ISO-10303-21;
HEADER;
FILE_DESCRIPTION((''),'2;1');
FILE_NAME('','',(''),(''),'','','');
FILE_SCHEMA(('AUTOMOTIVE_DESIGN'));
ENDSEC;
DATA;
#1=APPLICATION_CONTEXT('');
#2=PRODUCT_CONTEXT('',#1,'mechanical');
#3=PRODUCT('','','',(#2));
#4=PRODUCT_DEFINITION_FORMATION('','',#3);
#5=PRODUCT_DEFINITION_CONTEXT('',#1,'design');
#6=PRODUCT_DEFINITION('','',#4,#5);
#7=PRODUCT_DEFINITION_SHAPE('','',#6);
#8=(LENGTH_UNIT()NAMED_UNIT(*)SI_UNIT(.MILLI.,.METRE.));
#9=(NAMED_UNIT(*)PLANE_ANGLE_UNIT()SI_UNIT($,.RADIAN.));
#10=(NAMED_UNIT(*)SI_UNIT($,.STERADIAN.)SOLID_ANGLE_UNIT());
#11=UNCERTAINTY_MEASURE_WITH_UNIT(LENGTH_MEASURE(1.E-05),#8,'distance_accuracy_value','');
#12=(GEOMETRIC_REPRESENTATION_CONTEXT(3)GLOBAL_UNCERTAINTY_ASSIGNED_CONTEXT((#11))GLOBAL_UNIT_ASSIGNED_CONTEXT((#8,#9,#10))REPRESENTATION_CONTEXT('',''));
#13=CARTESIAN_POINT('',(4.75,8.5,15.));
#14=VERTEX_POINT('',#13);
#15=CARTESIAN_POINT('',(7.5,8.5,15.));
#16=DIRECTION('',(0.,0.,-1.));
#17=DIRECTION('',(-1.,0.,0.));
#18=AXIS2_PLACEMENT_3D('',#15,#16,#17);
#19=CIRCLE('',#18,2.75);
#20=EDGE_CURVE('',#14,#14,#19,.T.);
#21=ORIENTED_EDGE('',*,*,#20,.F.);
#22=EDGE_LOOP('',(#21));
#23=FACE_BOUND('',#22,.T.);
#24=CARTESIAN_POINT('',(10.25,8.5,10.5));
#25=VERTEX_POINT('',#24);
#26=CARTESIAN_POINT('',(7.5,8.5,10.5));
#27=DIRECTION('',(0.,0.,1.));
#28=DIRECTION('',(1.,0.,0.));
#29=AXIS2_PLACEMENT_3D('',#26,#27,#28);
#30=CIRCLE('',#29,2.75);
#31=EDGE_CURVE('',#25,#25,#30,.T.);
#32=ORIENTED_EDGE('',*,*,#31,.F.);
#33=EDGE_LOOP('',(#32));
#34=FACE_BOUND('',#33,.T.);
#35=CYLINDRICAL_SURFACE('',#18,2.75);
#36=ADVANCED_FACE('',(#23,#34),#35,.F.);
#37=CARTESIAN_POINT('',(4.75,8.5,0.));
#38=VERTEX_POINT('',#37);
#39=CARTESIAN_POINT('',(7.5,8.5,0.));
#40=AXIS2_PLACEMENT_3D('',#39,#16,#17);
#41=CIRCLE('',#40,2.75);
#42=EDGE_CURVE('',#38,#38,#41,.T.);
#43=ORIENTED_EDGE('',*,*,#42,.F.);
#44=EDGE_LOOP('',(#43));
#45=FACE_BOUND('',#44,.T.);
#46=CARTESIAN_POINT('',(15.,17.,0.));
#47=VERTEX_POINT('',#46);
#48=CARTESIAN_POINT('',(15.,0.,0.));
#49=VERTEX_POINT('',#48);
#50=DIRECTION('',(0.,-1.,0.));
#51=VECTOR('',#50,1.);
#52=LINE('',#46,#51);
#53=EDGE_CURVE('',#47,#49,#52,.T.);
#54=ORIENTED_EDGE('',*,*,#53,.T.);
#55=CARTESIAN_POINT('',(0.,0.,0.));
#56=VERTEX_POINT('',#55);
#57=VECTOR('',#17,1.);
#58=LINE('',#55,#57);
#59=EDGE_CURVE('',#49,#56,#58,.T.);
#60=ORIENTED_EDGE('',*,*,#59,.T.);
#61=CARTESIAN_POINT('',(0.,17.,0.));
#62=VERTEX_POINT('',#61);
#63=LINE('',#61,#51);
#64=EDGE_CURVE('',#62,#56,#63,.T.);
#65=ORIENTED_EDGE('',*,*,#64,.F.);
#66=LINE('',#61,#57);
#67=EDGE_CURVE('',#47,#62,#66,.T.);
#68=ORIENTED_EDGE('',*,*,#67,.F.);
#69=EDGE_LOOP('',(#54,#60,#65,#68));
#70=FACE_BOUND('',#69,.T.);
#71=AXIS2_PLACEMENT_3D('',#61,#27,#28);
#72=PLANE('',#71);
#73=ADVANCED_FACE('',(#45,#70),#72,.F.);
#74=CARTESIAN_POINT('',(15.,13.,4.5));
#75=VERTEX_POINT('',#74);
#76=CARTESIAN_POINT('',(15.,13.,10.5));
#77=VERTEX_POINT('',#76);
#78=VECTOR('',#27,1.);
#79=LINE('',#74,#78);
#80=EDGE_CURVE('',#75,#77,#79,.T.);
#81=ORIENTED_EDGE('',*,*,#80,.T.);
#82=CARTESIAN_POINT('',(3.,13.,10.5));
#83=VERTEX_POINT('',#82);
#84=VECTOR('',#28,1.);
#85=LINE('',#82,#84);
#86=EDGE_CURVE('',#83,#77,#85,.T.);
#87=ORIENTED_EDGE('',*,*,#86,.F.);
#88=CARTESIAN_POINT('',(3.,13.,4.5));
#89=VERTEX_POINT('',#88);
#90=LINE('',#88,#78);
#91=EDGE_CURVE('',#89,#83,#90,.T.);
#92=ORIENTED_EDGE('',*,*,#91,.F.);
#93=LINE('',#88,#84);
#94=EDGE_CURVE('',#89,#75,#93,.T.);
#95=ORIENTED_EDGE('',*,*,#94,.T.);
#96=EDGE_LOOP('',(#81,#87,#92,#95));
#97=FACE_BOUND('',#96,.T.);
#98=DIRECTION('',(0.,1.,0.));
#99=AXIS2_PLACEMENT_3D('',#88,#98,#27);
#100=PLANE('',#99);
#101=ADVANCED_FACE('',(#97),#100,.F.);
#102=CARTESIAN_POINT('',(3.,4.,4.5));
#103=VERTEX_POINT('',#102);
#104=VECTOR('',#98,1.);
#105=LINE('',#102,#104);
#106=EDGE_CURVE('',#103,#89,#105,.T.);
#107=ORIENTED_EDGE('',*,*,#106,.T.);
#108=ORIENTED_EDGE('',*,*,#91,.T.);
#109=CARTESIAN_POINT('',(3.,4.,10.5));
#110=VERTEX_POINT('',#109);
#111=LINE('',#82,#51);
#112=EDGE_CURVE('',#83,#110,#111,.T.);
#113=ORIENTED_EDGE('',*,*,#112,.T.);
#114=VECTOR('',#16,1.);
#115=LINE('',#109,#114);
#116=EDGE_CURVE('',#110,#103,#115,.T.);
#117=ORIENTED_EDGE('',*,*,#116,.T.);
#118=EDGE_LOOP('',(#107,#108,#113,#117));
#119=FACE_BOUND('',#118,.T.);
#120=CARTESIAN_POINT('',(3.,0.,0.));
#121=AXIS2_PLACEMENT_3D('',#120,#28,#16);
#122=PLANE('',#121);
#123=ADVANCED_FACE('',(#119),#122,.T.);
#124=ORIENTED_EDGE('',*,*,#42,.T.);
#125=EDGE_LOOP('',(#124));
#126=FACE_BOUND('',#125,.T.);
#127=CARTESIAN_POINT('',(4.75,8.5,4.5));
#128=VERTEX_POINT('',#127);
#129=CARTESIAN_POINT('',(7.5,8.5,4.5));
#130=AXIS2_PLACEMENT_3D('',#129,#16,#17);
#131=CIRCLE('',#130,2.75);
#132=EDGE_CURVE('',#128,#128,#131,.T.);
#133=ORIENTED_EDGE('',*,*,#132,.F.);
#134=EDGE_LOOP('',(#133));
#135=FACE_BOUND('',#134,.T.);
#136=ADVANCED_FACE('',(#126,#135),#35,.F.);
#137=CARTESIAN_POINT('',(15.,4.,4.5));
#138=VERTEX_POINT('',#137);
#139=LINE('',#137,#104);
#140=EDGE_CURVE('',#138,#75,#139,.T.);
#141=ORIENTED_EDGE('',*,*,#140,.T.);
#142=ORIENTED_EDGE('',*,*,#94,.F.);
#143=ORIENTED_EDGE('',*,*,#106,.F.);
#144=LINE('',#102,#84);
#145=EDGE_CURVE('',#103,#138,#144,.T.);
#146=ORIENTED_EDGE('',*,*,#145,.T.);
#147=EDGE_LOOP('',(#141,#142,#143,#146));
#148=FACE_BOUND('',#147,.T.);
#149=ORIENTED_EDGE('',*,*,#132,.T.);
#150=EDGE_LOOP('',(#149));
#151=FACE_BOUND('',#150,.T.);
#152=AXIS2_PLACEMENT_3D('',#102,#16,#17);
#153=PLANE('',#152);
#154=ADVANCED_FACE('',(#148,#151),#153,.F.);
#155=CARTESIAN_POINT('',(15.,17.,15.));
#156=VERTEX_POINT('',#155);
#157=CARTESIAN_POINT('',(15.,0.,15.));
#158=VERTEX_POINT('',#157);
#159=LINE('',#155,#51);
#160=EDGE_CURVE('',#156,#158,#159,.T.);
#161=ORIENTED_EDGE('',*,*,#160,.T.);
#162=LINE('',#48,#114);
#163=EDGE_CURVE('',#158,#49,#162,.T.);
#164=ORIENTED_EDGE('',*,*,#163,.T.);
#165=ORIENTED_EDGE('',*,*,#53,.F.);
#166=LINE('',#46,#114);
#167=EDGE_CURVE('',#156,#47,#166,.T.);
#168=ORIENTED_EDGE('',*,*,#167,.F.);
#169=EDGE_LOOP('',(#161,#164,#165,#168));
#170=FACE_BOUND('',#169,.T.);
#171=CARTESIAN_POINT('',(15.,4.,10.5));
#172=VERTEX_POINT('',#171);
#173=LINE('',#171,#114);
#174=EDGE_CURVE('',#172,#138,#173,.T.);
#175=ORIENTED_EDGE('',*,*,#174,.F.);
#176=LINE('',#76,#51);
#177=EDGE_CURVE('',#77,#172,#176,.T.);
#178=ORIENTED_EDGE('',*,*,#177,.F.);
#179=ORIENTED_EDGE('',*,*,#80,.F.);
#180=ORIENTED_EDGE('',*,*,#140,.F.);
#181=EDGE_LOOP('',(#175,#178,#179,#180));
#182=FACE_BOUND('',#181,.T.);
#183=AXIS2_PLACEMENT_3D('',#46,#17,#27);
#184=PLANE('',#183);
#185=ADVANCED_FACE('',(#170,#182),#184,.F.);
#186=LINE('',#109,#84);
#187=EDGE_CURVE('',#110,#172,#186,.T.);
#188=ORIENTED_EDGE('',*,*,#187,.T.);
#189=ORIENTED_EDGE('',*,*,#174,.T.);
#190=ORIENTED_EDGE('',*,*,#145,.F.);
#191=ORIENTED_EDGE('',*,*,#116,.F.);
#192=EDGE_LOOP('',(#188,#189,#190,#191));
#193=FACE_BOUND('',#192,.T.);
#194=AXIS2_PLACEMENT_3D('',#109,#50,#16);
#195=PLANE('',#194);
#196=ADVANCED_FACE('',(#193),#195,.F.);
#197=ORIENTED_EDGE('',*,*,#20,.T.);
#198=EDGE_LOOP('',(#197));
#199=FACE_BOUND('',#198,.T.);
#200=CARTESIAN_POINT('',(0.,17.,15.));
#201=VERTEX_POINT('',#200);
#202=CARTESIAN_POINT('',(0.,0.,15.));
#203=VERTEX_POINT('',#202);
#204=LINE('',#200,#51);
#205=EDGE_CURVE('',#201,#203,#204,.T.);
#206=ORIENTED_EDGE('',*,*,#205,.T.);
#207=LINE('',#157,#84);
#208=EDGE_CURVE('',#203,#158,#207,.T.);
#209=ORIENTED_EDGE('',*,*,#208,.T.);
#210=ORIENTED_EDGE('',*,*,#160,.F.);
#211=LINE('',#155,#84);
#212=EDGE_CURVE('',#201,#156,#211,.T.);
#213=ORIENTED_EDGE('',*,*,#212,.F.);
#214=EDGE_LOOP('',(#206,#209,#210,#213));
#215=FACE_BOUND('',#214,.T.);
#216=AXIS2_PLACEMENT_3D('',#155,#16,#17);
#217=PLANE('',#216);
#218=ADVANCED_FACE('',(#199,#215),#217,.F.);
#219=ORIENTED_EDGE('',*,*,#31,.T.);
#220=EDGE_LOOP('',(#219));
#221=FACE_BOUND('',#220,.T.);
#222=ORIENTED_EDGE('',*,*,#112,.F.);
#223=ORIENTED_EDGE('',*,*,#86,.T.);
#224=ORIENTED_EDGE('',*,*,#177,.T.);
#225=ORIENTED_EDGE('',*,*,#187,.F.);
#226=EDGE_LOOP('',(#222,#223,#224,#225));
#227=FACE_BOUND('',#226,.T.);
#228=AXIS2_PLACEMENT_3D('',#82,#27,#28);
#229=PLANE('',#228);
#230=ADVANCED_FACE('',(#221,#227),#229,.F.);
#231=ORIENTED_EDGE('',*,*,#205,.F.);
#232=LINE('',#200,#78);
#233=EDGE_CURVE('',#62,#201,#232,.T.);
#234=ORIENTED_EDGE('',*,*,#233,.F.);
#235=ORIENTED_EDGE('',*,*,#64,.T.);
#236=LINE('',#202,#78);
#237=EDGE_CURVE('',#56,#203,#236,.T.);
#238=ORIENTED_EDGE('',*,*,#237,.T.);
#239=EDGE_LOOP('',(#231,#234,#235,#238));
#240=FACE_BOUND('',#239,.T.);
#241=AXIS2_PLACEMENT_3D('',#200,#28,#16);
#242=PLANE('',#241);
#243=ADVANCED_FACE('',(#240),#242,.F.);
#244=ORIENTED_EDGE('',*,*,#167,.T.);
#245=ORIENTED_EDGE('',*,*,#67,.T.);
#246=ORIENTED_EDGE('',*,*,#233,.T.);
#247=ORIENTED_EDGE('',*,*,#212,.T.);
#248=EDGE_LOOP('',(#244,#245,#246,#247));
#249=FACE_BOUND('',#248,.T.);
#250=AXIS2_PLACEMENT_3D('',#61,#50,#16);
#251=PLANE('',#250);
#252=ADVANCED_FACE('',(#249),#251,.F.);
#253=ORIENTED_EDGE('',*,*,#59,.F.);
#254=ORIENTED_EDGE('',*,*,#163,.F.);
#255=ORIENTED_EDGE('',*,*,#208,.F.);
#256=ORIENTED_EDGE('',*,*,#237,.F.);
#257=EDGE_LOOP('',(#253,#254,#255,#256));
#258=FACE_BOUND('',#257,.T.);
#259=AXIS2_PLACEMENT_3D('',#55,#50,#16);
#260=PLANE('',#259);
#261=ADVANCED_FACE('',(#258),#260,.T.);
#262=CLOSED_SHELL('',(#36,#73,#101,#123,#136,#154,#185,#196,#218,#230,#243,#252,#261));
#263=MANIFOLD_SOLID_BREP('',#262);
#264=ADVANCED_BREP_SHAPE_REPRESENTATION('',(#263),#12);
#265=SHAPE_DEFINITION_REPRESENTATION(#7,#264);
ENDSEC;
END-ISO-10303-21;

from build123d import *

# Parameters (mm, degrees)
SKETCH1_W           = 15
SKETCH1_H           = 15
BOSS_EXTRUDE1_DEPTH = 17
SKETCH2_W           = 6
SKETCH2_H           = 9
CUT_EXTRUDE1_DEPTH  = 12
SKETCH5_R           = 2.75
CUT_EXTRUDE2_DEPTH  = 28.184554438


with BuildPart() as part:
    # Sketch1 → Boss-Extrude1 (new body)
    with BuildSketch(Plane(origin=(0, 0, 0), x_dir=(1, 0, 0), z_dir=(0, 1, 0))):
        with Locations((7.5, -7.5)):
            Rectangle(SKETCH1_W, SKETCH1_H)
    extrude(amount=BOSS_EXTRUDE1_DEPTH)

    # Sketch2 → Cut-Extrude1 (cut)
    with BuildSketch(Plane(origin=(15, 0, 0), x_dir=(0, 0, -1), z_dir=(1, 0, 0))):
        with Locations((-7.5, 8.5)):
            Rectangle(SKETCH2_W, SKETCH2_H)
    extrude(amount=-CUT_EXTRUDE1_DEPTH, mode=Mode.SUBTRACT)

    # Sketch5 → Cut-Extrude2 (cut, through all)
    with BuildSketch(Plane(origin=(0, 0, 0), x_dir=(-1, 0, 0), z_dir=(0, 0, -1))):
        with Locations((-7.5, 8.5)):
            Circle(SKETCH5_R)
    extrude(amount=-CUT_EXTRUDE2_DEPTH, mode=Mode.SUBTRACT)


solid = part.part
